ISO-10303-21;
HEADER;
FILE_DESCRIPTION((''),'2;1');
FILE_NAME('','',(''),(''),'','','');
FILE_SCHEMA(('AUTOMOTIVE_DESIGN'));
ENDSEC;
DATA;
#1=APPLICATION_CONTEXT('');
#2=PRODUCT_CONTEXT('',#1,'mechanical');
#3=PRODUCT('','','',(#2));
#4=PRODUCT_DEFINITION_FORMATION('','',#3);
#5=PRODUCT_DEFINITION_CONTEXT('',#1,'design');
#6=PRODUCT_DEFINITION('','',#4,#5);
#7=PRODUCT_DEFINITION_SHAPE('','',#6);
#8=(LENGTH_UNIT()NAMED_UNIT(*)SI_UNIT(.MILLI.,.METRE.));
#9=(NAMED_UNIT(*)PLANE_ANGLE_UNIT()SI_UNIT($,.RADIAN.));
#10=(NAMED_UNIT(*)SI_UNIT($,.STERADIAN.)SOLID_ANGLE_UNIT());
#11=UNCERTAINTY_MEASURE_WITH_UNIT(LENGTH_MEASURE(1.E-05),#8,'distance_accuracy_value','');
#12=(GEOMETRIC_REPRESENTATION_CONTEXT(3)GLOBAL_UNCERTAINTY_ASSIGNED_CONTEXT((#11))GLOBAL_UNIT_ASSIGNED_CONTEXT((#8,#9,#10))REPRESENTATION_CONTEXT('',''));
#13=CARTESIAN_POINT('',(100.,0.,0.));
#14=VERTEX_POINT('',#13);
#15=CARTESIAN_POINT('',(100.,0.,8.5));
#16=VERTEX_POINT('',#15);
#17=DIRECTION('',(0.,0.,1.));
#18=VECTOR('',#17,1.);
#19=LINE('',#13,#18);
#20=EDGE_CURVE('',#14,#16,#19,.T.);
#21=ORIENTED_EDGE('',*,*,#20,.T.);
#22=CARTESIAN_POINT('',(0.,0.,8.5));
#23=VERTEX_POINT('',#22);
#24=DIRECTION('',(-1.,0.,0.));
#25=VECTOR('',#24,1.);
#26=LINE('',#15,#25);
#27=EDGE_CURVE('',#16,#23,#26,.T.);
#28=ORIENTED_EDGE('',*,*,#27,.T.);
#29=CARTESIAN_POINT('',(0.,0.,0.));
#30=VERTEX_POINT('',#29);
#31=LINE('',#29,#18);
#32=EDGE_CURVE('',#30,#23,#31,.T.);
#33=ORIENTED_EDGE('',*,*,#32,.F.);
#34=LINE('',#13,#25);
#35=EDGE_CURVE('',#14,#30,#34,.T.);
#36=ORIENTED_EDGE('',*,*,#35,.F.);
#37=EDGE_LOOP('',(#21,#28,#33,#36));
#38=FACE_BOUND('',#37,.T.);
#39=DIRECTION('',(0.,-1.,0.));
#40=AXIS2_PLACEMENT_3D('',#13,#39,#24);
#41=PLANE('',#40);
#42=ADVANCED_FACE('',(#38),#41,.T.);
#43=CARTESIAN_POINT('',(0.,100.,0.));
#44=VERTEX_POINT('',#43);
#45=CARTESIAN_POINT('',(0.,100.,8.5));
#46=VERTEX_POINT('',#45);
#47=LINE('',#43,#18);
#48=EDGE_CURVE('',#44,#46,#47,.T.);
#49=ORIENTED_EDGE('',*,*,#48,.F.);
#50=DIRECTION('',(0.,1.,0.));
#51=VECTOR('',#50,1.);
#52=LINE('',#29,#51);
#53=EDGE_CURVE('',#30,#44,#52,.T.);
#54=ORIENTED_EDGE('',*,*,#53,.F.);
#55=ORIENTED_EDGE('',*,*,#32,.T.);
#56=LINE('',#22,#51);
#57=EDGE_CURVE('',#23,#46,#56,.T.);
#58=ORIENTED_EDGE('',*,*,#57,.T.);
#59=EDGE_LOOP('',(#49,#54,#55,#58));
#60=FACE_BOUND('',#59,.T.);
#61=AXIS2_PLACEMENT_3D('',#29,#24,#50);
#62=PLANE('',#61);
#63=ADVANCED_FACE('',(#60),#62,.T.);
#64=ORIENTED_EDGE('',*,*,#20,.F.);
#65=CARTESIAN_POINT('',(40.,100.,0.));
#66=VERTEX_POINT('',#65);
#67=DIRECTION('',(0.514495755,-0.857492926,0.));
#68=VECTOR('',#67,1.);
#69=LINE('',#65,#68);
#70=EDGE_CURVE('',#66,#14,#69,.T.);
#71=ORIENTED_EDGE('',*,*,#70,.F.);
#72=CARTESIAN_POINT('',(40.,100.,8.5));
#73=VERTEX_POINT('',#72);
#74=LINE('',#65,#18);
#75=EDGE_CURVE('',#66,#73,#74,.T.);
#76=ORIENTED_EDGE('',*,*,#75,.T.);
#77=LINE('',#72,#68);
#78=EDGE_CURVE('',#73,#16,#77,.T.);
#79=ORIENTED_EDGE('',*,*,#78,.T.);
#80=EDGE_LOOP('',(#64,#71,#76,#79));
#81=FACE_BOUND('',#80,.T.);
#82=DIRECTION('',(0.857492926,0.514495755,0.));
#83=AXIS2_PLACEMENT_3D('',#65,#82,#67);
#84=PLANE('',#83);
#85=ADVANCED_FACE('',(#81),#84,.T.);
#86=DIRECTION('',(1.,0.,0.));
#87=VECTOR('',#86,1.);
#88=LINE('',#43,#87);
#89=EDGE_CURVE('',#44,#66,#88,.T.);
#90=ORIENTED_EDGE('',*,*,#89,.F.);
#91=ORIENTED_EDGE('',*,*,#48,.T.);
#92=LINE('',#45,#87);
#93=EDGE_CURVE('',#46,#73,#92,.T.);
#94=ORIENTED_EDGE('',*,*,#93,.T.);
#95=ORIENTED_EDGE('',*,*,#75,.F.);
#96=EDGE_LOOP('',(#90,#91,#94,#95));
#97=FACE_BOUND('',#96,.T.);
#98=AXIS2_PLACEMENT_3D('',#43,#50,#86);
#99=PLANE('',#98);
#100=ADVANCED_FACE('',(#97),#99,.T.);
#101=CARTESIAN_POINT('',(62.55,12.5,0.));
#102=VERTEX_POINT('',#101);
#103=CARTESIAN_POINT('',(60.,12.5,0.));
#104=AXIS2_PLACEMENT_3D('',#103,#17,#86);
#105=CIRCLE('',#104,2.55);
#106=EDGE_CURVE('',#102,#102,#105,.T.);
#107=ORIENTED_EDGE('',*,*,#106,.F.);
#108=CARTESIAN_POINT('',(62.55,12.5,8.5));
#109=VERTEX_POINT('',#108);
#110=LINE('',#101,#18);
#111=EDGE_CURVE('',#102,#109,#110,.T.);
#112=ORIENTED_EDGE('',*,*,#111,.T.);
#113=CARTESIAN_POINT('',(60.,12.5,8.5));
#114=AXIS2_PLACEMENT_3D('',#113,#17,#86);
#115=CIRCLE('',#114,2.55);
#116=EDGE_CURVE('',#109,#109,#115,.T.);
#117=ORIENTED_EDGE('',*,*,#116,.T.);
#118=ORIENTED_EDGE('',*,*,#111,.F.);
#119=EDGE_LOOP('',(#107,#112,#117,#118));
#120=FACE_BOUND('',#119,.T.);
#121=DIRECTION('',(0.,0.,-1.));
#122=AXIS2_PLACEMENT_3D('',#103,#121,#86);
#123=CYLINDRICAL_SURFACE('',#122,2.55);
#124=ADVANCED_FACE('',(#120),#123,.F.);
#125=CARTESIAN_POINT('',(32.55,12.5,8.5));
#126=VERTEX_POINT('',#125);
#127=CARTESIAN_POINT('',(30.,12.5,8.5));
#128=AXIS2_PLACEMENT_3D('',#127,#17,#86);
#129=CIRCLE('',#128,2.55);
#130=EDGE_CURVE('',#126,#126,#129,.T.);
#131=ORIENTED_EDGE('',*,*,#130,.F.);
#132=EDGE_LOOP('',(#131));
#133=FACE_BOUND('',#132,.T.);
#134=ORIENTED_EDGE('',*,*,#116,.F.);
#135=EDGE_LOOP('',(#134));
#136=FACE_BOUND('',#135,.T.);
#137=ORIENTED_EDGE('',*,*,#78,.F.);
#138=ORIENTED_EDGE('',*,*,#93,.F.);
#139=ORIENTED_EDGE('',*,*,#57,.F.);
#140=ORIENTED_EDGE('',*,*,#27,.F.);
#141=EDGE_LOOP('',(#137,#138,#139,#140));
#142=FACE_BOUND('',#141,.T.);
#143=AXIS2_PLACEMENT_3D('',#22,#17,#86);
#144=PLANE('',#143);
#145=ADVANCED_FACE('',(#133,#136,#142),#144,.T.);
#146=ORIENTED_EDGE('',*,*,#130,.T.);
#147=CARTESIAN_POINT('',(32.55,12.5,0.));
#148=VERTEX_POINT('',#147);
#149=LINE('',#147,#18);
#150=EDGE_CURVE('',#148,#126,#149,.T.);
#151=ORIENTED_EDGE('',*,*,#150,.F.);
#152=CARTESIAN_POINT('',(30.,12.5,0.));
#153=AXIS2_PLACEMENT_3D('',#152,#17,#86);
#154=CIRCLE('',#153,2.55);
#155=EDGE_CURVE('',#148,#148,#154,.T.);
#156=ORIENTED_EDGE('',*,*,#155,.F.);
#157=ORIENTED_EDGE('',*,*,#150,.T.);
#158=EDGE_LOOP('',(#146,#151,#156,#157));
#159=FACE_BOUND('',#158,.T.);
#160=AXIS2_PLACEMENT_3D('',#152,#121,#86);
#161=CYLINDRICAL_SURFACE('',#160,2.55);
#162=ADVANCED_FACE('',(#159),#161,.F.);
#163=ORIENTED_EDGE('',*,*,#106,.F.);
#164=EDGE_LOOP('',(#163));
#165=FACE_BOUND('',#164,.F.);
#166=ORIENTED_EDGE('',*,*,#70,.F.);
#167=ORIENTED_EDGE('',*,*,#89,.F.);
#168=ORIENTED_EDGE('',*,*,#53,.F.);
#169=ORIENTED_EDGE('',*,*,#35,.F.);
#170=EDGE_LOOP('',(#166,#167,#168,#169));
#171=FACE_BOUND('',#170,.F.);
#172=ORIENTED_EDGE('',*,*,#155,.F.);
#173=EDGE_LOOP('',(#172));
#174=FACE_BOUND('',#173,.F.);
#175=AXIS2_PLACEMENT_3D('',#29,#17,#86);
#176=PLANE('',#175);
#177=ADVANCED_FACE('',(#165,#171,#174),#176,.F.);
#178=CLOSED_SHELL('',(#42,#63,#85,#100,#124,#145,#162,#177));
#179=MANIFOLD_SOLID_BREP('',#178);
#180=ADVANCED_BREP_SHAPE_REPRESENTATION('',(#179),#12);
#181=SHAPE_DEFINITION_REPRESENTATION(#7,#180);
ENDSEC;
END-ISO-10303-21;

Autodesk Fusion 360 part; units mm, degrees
sketch "Sketch1" plane through (0, 0, 0) normal (0, 0, 1) x (1, 0, 0)
  line L0 (0, 0) -> (0, 100)
  line L1 (0, 100) -> (40, 100)
  line L2 (40, 100) -> (100, 0)
  line L3 (100, 0) -> (0, 0)
  circle A0 centre (30, 12.5) radius 2.55
  circle A1 centre (60, 12.5) radius 2.55
  dimension "d3" = 40
  dimension "d4" = 100
  dimension "d5" = 100
  dimension "d14" = 12.5
  dimension "d15" = 12.5
  dimension "d16" = 5.1
  dimension "d17" = 5.1
  dimension "d18" = 30
  dimension "d19" = 30
extrude "Extrude1" add sketch "Sketch1" along normal blind 8.5
equation "d15 = d14"
equation "d17 = d16"
